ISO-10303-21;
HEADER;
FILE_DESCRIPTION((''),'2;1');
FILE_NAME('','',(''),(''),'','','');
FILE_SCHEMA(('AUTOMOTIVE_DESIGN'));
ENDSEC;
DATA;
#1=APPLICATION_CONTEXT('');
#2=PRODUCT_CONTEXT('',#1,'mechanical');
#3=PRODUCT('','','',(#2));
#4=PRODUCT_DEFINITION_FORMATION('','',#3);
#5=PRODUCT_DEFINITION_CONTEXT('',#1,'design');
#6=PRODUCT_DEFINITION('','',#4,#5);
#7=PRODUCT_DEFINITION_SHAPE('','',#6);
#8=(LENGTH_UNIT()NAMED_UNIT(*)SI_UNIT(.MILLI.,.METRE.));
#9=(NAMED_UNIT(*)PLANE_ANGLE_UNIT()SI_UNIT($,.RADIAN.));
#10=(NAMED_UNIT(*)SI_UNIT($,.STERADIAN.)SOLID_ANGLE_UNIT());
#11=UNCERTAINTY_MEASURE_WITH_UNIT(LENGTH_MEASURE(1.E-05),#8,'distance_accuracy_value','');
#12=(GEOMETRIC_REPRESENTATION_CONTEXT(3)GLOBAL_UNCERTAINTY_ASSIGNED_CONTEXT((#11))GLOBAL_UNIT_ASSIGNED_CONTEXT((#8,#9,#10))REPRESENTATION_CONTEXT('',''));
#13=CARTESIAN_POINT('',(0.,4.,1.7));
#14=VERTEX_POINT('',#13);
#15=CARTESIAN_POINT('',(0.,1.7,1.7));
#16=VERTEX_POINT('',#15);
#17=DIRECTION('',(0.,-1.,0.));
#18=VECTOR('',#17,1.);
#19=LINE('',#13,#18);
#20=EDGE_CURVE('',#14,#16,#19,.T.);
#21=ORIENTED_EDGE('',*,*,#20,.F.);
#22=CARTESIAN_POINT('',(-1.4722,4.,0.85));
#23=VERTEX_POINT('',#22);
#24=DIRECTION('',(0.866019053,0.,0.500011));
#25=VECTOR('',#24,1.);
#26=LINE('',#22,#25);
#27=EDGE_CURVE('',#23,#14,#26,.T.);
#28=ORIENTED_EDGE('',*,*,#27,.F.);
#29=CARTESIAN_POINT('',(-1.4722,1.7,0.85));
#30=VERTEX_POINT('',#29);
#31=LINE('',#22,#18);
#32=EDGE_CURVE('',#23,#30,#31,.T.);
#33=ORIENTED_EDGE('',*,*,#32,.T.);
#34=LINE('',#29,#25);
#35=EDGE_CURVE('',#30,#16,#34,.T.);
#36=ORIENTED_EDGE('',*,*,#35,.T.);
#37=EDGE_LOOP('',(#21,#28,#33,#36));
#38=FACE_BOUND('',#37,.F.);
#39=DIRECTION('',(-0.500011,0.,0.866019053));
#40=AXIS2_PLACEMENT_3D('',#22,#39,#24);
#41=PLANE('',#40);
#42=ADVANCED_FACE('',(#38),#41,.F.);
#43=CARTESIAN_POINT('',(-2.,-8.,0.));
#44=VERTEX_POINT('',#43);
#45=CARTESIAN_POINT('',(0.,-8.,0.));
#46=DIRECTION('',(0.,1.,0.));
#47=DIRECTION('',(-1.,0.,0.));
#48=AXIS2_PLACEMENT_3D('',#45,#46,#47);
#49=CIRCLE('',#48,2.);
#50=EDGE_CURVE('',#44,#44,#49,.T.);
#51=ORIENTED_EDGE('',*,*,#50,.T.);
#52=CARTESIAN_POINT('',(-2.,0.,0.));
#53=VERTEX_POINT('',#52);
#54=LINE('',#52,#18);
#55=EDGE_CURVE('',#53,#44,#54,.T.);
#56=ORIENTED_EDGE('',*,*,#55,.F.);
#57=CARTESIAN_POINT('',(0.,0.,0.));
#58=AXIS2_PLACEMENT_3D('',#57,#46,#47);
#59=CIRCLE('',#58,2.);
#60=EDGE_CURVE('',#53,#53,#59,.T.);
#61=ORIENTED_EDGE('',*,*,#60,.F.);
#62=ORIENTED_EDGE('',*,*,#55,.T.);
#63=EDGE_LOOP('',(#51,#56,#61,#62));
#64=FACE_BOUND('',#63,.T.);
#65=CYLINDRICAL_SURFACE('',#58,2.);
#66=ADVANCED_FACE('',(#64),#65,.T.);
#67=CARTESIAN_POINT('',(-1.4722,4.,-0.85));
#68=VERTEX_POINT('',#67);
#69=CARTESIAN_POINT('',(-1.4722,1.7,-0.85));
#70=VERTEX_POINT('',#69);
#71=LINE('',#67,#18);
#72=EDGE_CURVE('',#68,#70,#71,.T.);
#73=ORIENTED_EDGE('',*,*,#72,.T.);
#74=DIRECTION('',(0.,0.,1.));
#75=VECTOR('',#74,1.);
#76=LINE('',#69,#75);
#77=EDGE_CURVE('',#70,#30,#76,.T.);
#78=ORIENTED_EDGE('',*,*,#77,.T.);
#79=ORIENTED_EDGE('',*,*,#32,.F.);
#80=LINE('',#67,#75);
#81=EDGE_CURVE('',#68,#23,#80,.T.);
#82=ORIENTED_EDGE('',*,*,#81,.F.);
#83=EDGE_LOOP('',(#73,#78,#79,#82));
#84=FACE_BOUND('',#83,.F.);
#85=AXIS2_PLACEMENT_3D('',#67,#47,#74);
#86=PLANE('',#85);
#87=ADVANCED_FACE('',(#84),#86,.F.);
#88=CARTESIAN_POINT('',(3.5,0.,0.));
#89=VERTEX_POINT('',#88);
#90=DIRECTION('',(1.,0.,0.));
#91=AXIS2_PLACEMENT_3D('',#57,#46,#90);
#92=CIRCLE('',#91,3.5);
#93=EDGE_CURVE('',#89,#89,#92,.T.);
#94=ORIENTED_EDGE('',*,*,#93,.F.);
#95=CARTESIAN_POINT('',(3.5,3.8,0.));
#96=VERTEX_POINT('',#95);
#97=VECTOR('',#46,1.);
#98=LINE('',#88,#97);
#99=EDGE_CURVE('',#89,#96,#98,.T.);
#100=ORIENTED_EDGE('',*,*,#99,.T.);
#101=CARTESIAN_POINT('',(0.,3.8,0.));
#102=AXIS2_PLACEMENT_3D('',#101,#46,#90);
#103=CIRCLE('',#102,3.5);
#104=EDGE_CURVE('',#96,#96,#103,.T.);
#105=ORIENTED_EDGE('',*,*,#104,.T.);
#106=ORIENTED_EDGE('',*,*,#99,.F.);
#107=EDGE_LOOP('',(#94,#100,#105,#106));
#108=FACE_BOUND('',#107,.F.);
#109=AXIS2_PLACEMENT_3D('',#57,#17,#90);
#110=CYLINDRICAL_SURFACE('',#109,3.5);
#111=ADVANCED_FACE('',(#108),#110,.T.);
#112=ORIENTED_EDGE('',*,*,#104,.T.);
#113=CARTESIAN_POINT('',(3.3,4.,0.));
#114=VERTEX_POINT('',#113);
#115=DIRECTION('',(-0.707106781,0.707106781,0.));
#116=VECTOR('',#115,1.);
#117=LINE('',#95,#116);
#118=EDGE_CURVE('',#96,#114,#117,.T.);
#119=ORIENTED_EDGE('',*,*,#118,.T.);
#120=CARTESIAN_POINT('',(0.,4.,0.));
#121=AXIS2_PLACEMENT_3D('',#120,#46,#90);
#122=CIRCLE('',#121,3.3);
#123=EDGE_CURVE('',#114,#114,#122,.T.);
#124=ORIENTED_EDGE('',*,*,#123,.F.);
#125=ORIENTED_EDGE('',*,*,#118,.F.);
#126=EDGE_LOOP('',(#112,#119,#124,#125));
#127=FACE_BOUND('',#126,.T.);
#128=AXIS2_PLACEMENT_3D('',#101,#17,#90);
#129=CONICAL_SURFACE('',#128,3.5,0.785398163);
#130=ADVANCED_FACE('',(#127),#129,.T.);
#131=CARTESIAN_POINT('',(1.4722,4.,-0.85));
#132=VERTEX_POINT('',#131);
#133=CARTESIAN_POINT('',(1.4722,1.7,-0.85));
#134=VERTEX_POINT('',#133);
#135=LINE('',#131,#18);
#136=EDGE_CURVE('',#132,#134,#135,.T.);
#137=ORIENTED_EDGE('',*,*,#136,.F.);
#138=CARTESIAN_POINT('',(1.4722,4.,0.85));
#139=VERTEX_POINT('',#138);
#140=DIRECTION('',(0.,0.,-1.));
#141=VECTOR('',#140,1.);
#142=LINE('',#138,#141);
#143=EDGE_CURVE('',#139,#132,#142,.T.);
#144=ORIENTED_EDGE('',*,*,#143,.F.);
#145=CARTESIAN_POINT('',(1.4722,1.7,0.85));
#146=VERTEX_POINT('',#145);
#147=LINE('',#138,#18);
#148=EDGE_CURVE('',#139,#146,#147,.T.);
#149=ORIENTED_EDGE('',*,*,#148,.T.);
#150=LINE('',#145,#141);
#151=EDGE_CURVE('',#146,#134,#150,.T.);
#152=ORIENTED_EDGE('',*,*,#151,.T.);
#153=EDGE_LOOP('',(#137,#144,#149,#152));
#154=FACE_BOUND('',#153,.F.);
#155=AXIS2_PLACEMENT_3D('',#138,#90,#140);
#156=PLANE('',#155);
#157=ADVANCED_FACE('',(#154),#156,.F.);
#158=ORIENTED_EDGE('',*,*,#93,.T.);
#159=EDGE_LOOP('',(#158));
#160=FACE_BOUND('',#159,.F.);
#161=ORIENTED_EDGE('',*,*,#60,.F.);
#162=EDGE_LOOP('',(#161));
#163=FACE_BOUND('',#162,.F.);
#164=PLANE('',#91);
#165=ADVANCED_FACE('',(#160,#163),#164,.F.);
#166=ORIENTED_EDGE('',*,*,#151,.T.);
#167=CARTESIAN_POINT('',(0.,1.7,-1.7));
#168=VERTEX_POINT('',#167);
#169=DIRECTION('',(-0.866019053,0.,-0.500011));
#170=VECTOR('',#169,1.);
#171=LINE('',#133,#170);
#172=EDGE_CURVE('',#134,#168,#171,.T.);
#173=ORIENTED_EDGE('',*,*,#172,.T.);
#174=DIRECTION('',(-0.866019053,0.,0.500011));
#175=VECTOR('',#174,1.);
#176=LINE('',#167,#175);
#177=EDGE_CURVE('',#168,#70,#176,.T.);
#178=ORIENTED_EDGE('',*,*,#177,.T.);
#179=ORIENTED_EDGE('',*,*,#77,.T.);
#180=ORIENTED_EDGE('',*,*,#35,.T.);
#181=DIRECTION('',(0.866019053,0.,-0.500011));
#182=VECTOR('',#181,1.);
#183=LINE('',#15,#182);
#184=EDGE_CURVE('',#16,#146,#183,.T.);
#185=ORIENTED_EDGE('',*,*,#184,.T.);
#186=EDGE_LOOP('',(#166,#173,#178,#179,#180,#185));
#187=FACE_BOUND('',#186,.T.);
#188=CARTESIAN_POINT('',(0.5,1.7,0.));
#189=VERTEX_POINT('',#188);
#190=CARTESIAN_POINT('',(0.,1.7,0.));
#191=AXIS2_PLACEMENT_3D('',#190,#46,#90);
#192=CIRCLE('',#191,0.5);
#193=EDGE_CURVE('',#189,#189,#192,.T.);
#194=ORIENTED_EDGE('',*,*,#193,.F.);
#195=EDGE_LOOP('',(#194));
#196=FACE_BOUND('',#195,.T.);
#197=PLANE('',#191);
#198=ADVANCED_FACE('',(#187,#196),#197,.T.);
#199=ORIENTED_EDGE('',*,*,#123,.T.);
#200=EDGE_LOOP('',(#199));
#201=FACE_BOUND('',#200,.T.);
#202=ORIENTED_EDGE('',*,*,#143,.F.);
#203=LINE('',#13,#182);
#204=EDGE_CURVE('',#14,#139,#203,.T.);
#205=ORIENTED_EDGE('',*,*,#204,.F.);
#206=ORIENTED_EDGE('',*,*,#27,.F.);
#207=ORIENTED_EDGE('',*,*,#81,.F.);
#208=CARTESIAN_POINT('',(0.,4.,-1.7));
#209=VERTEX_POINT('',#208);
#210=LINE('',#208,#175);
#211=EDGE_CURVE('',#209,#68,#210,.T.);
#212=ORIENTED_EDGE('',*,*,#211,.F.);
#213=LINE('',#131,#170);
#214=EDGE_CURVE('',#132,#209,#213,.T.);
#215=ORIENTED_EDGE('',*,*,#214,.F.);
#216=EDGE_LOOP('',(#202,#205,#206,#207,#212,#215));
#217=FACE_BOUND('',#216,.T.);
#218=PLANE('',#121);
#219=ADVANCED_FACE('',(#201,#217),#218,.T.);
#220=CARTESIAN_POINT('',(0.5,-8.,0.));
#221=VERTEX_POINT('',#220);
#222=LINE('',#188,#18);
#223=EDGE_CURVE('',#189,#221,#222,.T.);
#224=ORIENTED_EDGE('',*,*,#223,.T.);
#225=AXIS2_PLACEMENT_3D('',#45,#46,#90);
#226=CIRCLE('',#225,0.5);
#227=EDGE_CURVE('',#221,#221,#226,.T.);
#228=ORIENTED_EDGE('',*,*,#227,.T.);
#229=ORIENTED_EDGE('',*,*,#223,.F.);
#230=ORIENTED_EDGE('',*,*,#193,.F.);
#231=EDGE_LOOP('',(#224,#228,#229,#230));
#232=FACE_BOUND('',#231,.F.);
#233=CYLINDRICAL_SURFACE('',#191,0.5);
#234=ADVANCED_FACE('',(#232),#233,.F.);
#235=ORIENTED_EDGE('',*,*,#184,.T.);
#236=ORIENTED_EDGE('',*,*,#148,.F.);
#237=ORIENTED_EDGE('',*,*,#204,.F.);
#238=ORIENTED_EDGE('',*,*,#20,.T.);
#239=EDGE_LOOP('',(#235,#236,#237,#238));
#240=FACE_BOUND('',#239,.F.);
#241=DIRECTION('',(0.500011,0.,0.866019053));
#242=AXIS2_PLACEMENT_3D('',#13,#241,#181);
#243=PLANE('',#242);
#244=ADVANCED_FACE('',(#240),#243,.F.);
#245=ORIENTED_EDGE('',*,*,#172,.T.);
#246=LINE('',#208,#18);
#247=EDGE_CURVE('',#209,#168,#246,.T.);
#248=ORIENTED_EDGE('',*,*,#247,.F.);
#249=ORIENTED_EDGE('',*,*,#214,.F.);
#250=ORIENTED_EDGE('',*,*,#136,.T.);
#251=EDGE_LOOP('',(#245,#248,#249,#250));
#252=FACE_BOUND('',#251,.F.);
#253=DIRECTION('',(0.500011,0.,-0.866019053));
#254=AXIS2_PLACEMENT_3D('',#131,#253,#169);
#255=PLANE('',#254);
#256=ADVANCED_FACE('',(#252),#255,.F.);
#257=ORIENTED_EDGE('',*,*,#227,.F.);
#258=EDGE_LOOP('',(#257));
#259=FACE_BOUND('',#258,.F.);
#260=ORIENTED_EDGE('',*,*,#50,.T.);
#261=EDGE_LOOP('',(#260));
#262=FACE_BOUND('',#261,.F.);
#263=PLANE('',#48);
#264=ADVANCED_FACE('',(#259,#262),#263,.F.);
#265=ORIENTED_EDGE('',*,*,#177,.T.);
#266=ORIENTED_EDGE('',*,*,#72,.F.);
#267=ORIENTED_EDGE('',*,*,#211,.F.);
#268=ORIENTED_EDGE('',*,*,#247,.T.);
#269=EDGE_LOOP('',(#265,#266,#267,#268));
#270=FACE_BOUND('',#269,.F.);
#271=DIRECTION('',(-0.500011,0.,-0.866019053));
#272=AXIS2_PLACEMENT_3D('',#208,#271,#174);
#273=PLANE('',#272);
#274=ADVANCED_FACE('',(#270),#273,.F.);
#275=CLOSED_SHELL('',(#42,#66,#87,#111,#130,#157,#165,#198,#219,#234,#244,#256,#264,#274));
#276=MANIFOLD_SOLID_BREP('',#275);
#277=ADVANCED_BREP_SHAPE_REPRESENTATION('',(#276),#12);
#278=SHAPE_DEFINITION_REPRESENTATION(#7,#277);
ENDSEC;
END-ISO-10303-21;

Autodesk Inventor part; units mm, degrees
ref_plane "YZ Plane" through (0, 0, 0) normal (1, 0, 0) x (0, 1, 0)
ref_plane "XZ Plane" through (0, 0, 0) normal (0, 1, 0) x (-1, 0, 0)
ref_plane "XY Plane" through (0, 0, 0) normal (0, 0, 1) x (1, 0, 0)
sketch "スケッチ1" plane through (0, 0, 0) normal (0, 1, 0) x (-1, 0, 0)
  circle A0 centre (0, 0) radius 2
  dimension "d0" = 4
extrude "押し出し1" add sketch "スケッチ1" against normal blind 8
sketch "スケッチ2" plane through (0, 0, 0) normal (0, 1, 0) x (1, 0, 0)
  circle A0 centre (0, 0) radius 2 projected
  circle A1 centre (0, 0) radius 3.5
  dimension "d3" = 7
extrude "押し出し2" add sketch "スケッチ2" along normal blind 4 contours A0 | A1
sketch "スケッチ3" plane through (0, 4, 0) normal (0, 1, 0) x (1, 0, 0)
  circle A0 centre (0, 0) radius 1.7 construction
  line L0 (0, 1.7) -> (-1.4722, 0.85)
  line L1 (-1.4722, 0.85) -> (-1.4722, -0.85)
  line L2 (-1.4722, -0.85) -> (0, -1.7)
  line L3 (0, -1.7) -> (1.4722, -0.85)
  line L4 (1.4722, -0.85) -> (1.4722, 0.85)
  line L5 (1.4722, 0.85) -> (0, 1.7)
  dimension "d6" = 3.4
  dimension "d9" = 360
extrude "押し出し3" cut sketch "スケッチ3" against normal blind 2.3
chamfer "面取り1" distance 0.2 angle 45 1 edges at (-3.5, 4, 0)
thread "ねじ1" size "M4x0.7" class "6g" standard "ANSI Metric M Profile" full length
sketch "スケッチ4" plane through (0, 1.7, 0) normal (0, 1, 0) x (1, 0, 0)
  circle A0 centre (0, 0) radius 0.5
  dimension "d18" = 1
extrude "押し出し4" cut sketch "スケッチ4" against normal through all
properties part number "M4×8-VentedHexSocket" material "ステンレス鋼"
